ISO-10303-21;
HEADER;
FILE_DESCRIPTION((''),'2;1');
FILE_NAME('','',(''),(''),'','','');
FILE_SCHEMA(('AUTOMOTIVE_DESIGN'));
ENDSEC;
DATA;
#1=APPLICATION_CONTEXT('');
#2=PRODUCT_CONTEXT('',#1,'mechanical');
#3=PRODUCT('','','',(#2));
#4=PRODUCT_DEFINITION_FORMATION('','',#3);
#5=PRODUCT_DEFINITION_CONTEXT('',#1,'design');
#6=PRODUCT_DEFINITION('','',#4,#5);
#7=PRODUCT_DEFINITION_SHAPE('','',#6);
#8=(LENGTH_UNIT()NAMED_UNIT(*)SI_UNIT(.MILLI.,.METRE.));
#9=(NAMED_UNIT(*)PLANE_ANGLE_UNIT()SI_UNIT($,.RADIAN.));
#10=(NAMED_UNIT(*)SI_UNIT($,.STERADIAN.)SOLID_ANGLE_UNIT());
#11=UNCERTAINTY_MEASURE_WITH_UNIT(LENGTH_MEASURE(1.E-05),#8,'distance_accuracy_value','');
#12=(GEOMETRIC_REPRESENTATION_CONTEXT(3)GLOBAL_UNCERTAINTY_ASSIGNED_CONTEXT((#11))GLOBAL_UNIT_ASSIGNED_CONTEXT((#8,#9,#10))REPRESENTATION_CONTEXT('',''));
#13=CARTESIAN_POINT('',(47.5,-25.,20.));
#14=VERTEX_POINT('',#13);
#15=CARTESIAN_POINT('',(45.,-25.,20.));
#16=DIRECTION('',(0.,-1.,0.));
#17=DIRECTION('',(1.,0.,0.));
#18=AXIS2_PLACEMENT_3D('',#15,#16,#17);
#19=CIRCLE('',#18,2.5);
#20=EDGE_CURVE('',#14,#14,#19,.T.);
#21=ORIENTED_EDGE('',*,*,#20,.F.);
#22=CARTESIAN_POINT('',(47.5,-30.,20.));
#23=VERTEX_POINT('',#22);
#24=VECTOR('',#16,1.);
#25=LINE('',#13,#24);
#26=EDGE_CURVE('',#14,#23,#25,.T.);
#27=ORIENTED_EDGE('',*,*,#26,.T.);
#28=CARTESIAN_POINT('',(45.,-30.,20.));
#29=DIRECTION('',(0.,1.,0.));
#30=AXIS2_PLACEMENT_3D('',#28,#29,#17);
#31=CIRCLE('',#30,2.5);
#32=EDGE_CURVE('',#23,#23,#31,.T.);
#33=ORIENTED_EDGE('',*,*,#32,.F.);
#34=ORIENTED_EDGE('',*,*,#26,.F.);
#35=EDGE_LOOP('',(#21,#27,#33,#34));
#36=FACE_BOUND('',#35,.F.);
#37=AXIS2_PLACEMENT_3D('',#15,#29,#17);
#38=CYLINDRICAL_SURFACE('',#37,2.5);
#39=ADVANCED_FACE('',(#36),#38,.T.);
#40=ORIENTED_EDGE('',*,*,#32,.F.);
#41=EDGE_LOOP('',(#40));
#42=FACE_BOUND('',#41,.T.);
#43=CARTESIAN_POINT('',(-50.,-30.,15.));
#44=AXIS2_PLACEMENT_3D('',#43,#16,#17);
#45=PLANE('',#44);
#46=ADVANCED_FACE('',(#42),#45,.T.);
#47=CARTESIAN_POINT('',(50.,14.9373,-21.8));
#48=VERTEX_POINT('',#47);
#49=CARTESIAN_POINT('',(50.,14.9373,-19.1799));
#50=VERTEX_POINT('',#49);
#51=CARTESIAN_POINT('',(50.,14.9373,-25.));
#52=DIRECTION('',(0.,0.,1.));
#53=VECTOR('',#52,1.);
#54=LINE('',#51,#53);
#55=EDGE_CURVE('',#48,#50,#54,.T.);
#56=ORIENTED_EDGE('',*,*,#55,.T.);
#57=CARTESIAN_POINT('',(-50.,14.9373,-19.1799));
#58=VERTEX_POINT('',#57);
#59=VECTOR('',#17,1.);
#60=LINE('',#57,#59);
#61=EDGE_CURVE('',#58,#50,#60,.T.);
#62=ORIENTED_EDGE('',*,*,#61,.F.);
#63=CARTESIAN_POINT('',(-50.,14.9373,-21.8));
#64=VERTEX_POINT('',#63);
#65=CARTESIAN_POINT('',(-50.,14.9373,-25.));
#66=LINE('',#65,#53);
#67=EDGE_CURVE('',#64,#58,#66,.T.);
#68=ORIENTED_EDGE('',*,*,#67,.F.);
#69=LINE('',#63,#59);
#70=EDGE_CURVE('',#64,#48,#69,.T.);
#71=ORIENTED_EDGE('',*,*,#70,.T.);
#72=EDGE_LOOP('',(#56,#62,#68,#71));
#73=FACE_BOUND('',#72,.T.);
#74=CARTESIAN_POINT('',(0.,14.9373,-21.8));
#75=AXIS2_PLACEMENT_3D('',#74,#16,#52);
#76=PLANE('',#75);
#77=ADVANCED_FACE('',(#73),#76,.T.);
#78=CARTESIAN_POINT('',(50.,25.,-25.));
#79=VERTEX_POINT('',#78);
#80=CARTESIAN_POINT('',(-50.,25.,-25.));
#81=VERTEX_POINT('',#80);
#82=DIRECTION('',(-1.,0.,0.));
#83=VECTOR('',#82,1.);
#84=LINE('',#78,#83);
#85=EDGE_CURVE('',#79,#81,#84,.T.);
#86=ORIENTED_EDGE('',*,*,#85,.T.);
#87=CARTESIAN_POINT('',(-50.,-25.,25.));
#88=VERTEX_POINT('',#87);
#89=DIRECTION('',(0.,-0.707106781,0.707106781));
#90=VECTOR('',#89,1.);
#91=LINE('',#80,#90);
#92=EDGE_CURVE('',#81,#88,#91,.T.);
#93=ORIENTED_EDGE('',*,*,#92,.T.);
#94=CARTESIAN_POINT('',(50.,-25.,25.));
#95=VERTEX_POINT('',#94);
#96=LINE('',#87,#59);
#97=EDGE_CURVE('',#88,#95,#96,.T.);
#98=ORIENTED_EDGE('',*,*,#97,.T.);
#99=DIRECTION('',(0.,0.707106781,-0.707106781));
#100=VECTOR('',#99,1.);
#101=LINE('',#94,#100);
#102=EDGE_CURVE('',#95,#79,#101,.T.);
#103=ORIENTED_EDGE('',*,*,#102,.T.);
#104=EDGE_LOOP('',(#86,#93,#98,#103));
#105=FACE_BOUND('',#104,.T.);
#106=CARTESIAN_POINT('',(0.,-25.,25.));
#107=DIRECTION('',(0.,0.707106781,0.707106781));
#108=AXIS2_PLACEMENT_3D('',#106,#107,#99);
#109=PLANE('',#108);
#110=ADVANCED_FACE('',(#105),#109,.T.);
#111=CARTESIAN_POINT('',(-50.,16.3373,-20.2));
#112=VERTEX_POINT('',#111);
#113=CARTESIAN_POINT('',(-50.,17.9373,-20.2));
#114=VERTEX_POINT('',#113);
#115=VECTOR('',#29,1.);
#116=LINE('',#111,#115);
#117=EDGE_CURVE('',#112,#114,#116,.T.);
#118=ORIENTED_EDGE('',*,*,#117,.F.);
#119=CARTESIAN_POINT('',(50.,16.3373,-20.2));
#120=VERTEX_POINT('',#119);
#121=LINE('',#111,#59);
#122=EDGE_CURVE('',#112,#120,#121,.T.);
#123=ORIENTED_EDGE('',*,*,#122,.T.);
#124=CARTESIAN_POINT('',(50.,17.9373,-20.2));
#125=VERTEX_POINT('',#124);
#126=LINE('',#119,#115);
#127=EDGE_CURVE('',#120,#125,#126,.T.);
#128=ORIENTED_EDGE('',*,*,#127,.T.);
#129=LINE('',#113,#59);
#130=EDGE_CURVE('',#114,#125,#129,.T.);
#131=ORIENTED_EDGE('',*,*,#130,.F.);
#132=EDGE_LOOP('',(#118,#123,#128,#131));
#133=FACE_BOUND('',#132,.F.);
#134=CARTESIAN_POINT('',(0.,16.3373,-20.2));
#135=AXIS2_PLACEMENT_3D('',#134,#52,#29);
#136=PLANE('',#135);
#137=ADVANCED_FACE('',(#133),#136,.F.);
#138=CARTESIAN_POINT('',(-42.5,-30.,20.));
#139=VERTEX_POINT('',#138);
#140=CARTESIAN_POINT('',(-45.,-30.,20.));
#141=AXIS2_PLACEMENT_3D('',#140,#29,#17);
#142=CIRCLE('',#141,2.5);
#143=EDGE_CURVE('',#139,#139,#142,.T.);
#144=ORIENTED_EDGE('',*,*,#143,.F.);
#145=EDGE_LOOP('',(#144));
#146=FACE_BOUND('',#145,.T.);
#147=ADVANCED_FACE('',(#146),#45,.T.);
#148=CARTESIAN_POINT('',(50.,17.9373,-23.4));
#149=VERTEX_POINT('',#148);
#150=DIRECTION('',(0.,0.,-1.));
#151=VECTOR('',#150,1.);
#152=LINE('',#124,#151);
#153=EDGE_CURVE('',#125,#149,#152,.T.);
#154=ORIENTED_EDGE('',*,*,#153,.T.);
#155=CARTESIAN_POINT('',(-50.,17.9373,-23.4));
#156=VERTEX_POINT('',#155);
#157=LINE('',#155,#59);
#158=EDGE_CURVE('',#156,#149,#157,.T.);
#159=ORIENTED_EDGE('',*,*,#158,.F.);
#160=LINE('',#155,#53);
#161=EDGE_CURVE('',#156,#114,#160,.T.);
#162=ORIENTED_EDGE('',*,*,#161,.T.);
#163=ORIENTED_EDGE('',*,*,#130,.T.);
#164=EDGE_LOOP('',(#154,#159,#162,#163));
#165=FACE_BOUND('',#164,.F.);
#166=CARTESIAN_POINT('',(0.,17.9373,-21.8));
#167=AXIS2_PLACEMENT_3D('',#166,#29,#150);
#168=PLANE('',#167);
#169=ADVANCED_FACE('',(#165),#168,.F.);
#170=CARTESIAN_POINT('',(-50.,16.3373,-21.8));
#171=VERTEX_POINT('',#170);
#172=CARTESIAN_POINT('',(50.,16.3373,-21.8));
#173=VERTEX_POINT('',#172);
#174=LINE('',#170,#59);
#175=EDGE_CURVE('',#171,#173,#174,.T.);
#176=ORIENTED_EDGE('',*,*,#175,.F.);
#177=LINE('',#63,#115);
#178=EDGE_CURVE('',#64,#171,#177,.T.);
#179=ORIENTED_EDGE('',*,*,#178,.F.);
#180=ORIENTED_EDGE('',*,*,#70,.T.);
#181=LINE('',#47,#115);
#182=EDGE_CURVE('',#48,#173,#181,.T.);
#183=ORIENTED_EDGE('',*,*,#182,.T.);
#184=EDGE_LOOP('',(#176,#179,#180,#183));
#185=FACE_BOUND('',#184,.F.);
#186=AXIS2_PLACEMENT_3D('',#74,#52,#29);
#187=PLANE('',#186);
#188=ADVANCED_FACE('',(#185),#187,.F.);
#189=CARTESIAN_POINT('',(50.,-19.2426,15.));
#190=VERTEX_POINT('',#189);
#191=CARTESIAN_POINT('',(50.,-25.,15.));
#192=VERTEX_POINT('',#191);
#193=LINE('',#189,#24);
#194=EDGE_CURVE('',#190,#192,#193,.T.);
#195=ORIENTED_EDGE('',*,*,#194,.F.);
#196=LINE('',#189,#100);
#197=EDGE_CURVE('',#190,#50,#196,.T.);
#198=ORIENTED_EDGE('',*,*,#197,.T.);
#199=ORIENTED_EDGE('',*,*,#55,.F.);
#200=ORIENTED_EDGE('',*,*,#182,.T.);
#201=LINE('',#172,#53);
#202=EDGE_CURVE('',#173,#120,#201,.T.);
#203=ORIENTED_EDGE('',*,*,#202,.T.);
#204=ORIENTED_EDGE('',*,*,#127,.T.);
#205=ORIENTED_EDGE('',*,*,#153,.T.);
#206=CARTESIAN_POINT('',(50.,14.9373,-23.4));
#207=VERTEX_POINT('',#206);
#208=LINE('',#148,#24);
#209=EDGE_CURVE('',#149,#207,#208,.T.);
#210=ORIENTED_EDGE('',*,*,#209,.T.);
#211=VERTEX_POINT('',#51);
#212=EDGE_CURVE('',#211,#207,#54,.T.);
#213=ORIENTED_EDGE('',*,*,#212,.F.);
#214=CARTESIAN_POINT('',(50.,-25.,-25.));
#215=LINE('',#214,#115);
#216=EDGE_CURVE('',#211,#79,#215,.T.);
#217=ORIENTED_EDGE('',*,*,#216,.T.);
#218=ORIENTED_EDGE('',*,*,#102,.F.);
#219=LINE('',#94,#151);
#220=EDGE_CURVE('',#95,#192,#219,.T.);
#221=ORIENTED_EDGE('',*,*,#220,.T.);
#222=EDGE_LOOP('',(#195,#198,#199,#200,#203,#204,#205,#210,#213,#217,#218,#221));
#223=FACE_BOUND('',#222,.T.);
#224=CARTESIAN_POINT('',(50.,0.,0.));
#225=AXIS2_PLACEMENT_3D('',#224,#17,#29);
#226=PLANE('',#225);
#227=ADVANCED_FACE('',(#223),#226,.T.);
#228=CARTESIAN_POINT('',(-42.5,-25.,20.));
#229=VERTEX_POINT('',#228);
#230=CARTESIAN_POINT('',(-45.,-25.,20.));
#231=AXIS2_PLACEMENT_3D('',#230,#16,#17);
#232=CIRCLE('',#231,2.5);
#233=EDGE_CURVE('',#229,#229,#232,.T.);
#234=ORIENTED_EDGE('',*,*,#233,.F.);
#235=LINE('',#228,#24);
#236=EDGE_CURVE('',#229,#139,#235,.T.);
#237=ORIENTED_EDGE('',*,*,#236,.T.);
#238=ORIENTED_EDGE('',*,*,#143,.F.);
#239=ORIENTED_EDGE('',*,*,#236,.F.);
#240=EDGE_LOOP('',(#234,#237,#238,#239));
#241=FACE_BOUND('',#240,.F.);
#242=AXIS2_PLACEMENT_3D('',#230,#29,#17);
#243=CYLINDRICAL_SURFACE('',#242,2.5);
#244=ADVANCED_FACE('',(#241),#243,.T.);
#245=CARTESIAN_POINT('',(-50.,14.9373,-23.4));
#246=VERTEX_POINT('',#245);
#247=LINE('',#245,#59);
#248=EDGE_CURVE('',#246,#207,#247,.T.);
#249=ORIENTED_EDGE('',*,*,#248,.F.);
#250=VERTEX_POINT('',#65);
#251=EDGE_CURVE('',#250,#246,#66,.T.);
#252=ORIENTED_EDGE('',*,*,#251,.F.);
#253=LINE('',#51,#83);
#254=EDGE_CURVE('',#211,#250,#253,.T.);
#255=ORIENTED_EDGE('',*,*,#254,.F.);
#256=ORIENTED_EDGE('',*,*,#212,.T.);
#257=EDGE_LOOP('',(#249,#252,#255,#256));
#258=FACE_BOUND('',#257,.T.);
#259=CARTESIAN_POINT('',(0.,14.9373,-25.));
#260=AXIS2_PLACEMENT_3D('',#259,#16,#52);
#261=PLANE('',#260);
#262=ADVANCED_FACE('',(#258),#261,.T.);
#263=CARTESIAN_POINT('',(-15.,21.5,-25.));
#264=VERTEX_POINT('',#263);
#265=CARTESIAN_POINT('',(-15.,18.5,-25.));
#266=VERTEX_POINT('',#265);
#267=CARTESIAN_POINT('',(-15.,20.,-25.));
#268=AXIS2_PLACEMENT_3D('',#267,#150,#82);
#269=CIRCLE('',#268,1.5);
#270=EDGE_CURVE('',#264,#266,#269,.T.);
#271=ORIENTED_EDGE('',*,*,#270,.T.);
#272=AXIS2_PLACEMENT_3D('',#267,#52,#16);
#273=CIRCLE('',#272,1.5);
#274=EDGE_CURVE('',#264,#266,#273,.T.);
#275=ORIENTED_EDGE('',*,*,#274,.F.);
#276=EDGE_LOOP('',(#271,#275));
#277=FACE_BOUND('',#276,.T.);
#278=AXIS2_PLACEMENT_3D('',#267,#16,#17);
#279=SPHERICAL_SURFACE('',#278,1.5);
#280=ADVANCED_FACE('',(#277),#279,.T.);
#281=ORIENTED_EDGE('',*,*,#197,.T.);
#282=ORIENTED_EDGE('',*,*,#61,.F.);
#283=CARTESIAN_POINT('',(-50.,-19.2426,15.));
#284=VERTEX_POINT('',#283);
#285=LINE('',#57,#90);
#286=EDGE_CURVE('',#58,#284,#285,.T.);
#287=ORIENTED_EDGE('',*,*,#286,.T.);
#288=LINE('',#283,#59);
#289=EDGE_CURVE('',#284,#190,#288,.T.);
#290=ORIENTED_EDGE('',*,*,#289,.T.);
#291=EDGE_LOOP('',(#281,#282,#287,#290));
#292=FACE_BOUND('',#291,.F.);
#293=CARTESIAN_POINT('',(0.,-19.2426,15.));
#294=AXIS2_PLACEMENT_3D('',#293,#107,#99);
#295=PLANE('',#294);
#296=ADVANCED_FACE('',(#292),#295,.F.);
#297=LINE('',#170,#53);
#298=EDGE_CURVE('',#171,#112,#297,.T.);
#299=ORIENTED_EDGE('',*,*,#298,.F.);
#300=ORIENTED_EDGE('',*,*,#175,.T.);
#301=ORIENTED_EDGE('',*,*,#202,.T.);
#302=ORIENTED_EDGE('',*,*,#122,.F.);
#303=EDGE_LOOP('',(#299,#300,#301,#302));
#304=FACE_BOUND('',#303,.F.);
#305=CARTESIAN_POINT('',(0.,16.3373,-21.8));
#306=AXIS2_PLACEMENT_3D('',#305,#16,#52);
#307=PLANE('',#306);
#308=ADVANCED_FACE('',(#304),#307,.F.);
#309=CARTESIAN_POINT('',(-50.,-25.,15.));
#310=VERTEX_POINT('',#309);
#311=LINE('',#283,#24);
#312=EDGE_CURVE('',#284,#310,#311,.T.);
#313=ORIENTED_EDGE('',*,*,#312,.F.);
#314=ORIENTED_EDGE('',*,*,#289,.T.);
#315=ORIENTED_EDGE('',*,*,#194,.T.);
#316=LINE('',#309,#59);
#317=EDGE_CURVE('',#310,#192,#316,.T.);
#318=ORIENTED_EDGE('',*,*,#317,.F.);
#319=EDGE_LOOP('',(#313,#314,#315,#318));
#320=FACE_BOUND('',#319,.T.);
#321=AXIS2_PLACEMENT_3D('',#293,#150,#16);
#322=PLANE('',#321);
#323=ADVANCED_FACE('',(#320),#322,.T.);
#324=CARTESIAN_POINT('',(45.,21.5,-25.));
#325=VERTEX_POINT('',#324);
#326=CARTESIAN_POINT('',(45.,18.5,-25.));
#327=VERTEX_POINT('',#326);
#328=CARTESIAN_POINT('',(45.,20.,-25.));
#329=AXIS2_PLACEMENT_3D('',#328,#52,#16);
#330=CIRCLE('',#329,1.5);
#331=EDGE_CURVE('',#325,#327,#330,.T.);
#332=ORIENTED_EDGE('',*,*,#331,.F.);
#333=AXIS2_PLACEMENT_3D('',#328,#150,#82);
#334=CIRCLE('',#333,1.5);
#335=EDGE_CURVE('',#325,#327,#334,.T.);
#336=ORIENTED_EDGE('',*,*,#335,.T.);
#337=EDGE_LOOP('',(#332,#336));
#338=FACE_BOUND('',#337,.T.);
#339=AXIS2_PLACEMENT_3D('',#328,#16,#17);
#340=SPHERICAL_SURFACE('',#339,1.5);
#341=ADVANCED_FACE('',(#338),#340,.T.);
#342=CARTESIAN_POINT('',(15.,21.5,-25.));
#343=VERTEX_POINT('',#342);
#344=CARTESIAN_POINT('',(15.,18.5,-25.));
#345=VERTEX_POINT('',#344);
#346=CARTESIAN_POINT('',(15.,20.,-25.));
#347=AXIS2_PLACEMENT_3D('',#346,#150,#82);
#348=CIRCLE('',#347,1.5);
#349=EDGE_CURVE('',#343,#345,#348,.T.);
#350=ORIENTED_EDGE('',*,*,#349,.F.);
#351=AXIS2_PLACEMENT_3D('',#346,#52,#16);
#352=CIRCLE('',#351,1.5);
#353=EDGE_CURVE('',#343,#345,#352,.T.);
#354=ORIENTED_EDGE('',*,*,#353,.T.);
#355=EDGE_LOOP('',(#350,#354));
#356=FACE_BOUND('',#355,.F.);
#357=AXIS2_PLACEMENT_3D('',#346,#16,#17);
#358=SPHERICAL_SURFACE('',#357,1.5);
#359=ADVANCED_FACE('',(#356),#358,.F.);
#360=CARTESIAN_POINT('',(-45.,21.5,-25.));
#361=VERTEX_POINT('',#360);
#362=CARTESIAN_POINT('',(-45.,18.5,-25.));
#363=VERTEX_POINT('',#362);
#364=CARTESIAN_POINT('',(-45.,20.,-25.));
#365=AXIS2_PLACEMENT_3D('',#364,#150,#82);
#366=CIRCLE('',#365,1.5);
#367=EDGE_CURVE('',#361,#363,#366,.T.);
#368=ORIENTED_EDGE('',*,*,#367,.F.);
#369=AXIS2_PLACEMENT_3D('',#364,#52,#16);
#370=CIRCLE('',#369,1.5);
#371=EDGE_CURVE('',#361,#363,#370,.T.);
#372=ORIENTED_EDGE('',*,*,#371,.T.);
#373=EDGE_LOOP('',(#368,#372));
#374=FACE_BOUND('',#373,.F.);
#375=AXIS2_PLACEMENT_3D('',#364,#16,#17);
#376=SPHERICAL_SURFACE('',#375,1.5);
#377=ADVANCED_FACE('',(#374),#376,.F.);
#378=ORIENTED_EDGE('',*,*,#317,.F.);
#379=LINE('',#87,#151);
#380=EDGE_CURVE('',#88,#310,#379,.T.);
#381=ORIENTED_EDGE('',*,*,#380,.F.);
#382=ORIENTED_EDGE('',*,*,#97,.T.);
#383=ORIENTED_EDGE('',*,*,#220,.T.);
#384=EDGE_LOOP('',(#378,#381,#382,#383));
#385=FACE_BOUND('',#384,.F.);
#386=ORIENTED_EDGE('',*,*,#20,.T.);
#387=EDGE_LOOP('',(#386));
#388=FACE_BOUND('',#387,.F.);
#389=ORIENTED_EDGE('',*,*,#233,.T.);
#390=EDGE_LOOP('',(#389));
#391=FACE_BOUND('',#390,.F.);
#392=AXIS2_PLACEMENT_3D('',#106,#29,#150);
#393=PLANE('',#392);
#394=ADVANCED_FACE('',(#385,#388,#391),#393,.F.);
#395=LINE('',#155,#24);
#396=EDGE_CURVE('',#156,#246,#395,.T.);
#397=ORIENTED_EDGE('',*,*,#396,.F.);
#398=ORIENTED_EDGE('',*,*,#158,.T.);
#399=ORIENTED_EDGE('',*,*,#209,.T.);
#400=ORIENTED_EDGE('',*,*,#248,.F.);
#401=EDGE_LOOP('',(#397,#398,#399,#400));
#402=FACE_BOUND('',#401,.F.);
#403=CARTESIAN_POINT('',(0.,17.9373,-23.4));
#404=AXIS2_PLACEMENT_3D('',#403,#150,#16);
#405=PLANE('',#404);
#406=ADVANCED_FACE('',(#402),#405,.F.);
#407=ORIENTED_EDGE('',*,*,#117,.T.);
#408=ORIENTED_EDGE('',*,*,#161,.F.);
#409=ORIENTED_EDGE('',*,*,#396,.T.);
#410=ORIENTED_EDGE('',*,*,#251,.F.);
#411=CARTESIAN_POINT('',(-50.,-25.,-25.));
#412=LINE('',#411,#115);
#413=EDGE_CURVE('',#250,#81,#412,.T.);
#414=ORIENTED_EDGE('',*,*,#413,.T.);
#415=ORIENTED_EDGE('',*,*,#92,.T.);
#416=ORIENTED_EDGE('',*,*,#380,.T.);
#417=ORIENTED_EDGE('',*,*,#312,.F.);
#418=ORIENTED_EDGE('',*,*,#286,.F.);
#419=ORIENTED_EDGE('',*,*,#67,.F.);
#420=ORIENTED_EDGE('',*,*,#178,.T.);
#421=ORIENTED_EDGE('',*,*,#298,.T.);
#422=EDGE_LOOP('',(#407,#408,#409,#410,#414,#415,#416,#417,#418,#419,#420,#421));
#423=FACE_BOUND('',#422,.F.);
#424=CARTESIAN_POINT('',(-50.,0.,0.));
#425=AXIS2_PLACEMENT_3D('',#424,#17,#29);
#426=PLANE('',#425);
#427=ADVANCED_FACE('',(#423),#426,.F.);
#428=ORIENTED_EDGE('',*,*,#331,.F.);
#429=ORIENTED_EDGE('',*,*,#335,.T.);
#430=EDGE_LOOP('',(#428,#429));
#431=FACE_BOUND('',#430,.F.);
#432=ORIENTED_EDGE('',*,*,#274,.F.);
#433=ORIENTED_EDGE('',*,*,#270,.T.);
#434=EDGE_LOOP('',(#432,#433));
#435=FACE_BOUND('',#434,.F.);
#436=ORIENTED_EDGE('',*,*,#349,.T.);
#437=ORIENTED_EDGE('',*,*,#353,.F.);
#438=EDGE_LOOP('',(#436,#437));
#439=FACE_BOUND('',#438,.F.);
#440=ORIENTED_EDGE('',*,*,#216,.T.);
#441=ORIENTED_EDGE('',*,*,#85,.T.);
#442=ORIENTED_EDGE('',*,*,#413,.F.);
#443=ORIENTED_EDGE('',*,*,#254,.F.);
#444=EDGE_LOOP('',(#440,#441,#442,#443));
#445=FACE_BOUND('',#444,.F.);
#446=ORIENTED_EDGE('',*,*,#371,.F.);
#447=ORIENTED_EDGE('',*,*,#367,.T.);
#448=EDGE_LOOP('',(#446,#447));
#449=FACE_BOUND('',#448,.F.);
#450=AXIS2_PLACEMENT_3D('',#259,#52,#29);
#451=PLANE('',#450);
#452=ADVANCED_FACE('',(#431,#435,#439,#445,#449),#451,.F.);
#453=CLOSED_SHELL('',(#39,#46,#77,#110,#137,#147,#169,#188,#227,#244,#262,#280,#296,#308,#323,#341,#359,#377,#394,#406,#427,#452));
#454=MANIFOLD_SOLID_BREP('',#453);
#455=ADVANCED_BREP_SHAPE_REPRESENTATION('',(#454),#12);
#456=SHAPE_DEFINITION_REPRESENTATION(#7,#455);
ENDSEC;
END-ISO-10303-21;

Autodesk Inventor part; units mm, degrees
sketch "Sketch1" plane through (0, 0, 0) normal (1, 0, 0) x (0, 1, 0)
  line L0 (25, 25) -> (-25, 25)
  line L1 (-25, 25) -> (-25, -25)
  line L2 (-25, -25) -> (25, -25)
  line L3 (25, -25) -> (25, 25)
  line L4 (-35, 0) -> (35, 0) projected
  line L5 (0, 35) -> (0, -35) projected
  line L6 (-25, 25) -> (25, -25)
  line L7 (-19.2426, 15) -> (14.9373, -19.1799)
  line L8 (-19.2426, 15) -> (-25, 15)
  line L9 (14.9373, -25) -> (14.9373, -19.1799)
  line L10 (14.9373, -21.8) -> (17.9373, -21.8)
  line L11 (17.9373, -21.8) -> (17.9373, -23.4)
  line L12 (17.9373, -23.4) -> (14.9373, -23.4)
  line L13 (14.9373, -23.4) -> (14.9373, -21.8)
  line L14 (17.9373, -21.8) -> (16.3373, -21.8)
  line L15 (16.3373, -21.8) -> (16.3373, -20.2)
  line L16 (16.3373, -20.2) -> (17.9373, -20.2)
  line L17 (17.9373, -20.2) -> (17.9373, -21.8)
  point P0 (0, 0)
  point P1 (25, 0)
  point P2 (0, 25)
  point P3 (20.7574, -25)
  point P4 (-25, 20.7574)
  point P5 (0, 0)
  point P6 (0, 0)
  point P7 (0, -4.2426)
  point P8 (-4.2426, 0)
  dimension "d0" = 50
  dimension "d1" = 50
  dimension "d2" = 3
  dimension "d5" = 10
  dimension "d92" = 3
  dimension "d93" = 1.6
  dimension "d94" = 1.6
  dimension "d95" = 1.6
  dimension "d96" = 1.6
  dimension "d97" = 1.6
extrude "Extrusion1" add sketch "Sketch1" along normal mid plane 100 contours L6 L4 L7 L8 L1 | L5 L7 L4 | L6 L2 L9 L12 L11 L17 L16 L15 L10 L7 L5
sketch "Sketch4" plane through (50, 25, -25) normal (0, 0, -1) x (-1, 0, 0)
  circle A0 centre (5, -5) radius 1.5
  line L0 (0, -10.0627) -> (0, 0) projected
  line L1 (0, 0) -> (100, 0) projected
  line L2 (5, -3.5) -> (5, -6.5)
  circle A1 centre (35, -5) radius 1.5
  line L3 (35, -3.5) -> (35, -6.5)
  circle A2 centre (65, -5) radius 1.5
  line L4 (65, -3.5) -> (65, -6.5)
  circle A3 centre (95, -5) radius 1.5
  line L5 (95, -3.5) -> (95, -6.5)
  point P0 (50, -25)
  point P1 (0, -50)
  dimension "d45" = 3
  dimension "d46" = 5
  dimension "d47" = 5
  dimension "d48" = 3
  dimension "d98" = 3
  dimension "d99" = 5
  dimension "d100" = 30
  dimension "d101" = 3
  dimension "d104" = 60
revolve "Revolution2" add sketch "Sketch4" angle 360 about axis through (45, 21.5, -25) along (0, -1, 0) picked at (4.5036, -4.9397) contours L2 A0
revolve "Revolution3" cut sketch "Sketch4" angle 360 about axis through (15, 21.5, -25) along (0, -1, 0) picked at (34.5036, -5.0603) contours L3 A1
revolve "Revolution4" add sketch "Sketch4" angle 360 about axis through (-15, 21.5, -25) along (0, -1, 0) picked at (64.2365, -5.2413) contours L4 A2
revolve "Revolution5" cut sketch "Sketch4" angle 360 about axis through (-45, 21.5, -25) along (0, -1, 0) picked at (94.1238, -4.716) contours L5 A3
sketch "Sketch5" plane through (-50, -25, 15) normal (0, -1, 0) x (1, 0, 0)
  circle A0 centre (5, 5) radius 2.5
  line L0 (0, 0) -> (0, 10) projected
  line L1 (0, 10) -> (100, 10) projected
  line L2 (50, 20) -> (50, -50) projected
  circle A1 centre (95, 5) radius 2.5
  line L3 (0, 5) -> (100, 5)
  line L4 (100, -40) -> (100, 10) projected
  point P0 (50, -15)
  dimension "d73" = 5
  dimension "d74" = 5
extrude "Extrusion3" add sketch "Sketch5" along normal blind 5 contours L3 A0 | A0 L3 | L3 A1 | A1 L3
properties part number "Roof_Small"
